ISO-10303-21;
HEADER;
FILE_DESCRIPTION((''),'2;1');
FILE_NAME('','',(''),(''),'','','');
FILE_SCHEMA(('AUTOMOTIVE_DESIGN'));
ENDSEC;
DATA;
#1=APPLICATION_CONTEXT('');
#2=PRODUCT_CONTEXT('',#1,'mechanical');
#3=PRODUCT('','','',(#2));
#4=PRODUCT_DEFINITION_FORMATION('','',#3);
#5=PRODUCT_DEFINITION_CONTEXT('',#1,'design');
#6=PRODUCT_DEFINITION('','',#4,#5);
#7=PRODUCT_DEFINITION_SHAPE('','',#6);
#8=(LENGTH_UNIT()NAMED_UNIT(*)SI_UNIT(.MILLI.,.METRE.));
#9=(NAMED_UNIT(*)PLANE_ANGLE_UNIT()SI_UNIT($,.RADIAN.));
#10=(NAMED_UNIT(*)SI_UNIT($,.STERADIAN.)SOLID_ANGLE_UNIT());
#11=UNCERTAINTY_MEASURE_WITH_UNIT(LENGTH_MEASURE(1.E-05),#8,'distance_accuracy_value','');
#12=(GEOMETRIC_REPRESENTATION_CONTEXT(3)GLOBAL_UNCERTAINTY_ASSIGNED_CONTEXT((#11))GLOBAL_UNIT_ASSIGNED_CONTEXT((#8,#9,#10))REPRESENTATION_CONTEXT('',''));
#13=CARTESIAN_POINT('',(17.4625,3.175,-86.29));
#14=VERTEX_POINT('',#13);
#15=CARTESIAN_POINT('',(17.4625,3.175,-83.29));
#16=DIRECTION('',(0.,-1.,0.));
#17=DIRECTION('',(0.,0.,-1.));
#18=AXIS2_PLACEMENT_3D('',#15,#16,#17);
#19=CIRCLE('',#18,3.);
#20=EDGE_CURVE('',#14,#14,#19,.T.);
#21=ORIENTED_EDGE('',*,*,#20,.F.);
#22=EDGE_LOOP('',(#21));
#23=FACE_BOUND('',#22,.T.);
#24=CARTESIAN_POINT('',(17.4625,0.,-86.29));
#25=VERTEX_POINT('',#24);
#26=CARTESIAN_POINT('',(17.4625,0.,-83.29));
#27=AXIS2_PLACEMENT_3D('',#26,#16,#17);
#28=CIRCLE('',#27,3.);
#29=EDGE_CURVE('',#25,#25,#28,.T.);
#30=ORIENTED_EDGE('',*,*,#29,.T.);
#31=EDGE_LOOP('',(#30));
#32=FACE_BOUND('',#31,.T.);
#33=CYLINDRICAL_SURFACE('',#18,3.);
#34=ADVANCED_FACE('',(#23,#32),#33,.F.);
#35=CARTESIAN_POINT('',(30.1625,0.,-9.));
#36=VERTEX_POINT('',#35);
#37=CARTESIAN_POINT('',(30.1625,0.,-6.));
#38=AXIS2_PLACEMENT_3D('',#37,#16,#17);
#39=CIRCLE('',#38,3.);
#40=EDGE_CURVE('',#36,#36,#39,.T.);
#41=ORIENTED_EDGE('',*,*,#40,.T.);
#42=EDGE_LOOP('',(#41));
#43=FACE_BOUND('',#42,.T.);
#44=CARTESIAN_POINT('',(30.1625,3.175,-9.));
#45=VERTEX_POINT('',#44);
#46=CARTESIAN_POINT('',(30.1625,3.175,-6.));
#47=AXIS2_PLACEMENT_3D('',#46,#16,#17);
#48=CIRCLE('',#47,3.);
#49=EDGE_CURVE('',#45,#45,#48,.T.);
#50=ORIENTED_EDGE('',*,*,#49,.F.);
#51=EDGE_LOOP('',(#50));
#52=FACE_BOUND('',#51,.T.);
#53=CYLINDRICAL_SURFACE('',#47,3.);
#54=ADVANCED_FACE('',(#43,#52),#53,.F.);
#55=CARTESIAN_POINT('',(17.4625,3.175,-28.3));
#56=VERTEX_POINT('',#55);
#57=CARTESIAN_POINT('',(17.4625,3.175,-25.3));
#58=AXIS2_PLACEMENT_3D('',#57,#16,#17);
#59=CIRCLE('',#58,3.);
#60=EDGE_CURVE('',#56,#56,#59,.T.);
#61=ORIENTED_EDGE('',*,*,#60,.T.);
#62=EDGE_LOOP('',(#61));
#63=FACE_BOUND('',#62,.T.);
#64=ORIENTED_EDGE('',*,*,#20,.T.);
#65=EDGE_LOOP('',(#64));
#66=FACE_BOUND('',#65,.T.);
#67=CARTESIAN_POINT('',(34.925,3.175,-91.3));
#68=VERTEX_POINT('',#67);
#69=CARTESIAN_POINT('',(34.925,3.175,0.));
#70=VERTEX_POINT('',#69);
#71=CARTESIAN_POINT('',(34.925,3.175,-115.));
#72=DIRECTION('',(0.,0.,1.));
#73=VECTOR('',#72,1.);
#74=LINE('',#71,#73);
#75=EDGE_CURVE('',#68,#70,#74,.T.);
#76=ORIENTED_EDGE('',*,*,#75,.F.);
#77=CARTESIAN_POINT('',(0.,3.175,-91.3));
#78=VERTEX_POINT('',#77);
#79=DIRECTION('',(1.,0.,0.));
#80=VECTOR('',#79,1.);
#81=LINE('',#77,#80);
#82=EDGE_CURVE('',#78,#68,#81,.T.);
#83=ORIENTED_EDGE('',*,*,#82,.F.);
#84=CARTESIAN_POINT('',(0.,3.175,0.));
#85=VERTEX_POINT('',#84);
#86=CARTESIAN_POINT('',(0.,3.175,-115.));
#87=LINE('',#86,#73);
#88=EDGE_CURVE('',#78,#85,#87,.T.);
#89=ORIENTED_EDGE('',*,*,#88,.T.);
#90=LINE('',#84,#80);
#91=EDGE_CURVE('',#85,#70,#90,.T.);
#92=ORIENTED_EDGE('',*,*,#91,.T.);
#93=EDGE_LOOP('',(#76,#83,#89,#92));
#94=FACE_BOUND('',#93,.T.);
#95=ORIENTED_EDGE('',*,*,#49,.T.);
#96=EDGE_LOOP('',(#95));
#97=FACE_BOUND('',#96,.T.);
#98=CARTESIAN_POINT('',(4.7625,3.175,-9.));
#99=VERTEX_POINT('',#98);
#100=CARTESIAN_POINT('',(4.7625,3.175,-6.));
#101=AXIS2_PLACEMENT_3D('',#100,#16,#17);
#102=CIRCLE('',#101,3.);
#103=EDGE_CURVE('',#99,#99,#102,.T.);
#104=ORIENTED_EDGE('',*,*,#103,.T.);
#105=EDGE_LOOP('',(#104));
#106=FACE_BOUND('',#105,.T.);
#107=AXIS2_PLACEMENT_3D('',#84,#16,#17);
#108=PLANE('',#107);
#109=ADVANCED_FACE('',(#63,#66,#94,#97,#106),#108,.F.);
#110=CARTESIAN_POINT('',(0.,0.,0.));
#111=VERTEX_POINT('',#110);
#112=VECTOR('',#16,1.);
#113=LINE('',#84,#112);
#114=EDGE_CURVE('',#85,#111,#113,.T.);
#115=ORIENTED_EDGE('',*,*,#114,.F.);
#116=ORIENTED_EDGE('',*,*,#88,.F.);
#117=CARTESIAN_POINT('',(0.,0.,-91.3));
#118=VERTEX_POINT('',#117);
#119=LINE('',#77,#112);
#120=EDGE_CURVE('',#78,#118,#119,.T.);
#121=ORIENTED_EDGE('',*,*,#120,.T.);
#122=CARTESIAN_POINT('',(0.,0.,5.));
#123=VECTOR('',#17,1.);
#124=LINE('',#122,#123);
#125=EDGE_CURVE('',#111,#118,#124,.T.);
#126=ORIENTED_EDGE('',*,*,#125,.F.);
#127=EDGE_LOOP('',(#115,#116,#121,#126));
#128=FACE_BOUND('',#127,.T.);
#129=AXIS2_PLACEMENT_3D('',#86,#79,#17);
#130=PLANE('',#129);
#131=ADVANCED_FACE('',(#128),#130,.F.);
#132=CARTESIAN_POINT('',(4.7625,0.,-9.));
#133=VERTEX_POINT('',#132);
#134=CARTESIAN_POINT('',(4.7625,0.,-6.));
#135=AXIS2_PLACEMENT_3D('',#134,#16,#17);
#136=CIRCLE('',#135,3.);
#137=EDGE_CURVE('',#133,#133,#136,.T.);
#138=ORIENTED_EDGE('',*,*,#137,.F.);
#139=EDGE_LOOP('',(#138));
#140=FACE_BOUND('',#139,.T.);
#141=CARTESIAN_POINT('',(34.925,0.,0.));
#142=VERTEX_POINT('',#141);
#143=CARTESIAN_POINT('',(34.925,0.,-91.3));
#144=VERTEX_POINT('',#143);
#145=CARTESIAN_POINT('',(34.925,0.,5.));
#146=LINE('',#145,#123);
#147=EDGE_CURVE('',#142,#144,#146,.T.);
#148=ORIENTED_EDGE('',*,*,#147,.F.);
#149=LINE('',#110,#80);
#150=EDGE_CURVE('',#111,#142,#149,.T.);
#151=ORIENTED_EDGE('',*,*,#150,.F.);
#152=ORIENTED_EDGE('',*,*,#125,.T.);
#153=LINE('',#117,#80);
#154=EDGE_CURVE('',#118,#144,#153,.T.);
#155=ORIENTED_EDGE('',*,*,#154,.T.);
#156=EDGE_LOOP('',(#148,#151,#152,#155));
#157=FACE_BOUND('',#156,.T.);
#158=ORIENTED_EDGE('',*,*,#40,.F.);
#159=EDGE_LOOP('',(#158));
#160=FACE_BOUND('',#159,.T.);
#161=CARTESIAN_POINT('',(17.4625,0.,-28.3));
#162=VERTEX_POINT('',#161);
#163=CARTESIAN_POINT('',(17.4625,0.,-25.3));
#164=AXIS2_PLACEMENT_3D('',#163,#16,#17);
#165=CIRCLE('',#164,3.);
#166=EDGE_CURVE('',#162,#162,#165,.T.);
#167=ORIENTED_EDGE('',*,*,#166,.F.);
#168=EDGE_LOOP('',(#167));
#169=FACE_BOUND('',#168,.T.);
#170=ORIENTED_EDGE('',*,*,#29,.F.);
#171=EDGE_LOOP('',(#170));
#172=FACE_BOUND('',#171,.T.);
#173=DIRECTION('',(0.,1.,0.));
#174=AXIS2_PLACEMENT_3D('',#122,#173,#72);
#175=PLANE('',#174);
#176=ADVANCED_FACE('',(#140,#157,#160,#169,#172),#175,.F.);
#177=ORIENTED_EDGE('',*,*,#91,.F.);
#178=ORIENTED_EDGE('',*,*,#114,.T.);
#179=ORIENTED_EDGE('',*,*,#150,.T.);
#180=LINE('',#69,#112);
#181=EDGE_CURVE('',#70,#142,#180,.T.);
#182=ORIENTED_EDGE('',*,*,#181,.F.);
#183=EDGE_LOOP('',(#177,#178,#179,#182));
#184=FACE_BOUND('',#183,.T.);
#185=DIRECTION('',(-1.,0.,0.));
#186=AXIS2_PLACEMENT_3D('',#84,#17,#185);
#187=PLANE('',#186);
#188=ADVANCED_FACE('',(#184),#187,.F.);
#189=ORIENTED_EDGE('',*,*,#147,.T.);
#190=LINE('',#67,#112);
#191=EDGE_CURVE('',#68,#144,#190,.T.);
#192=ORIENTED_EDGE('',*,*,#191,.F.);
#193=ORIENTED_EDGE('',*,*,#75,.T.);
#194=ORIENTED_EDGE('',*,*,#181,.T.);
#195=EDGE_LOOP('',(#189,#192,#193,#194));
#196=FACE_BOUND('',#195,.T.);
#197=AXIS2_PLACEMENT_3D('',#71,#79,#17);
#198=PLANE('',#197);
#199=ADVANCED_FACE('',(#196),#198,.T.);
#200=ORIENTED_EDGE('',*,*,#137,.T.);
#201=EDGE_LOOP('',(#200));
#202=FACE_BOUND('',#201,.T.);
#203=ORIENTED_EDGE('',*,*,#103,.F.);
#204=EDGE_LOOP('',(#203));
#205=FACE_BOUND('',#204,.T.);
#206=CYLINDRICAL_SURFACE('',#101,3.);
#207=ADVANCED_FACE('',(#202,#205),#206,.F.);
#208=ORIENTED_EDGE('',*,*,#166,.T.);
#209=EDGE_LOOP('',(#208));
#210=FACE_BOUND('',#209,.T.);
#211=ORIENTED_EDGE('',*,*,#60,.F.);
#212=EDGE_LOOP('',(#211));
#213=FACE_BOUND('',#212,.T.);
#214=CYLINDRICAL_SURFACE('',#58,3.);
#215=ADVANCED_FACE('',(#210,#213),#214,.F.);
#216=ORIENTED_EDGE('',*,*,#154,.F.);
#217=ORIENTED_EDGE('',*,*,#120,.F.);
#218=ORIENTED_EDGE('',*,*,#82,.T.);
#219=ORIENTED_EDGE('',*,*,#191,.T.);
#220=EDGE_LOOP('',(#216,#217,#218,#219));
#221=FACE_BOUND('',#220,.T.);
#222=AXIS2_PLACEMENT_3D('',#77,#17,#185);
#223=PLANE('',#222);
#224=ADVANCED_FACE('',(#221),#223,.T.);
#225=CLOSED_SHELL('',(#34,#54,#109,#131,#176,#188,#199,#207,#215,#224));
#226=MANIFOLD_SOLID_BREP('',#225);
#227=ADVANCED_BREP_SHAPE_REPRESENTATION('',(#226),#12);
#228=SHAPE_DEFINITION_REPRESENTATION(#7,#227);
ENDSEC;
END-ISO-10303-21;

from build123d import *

# Parameters (mm, degrees)
SKETCH1_W           = 38.1
SKETCH1_H           = 120
BOSS_EXTRUDE1_DEPTH = 38.1
SKETCH2_W           = 34.925
SKETCH2_H           = 34.925
CUT_EXTRUDE1_DEPTH  = 130.767142413
SKETCH18_W          = 3.175
SKETCH18_H          = 3.175
CUT_EXTRUDE3_DEPTH  = 130.767142413
SKETCH19_R          = 3
CUT_EXTRUDE4_DEPTH  = 121.228267267
SKETCH20_W          = 34.925
SKETCH20_H          = 5
CUT_EXTRUDE5_DEPTH  = 121.228267267
SKETCH21_W          = 34.925
SKETCH21_H          = 23.7
CUT_EXTRUDE6_DEPTH  = 121.228267267


with BuildPart() as part:
    # Sketch1 → Boss-Extrude1 (new body)
    with BuildSketch(Plane.XZ.offset(34.925)):
        with Locations((15.875, -55)):
            Rectangle(SKETCH1_W, SKETCH1_H)
    extrude(amount=-BOSS_EXTRUDE1_DEPTH)

    # Sketch2 → Cut-Extrude1 (cut, through all)
    with BuildSketch(Plane(origin=(0, 0, -115), x_dir=(-1, 0, 0), z_dir=(0, 0, -1))):
        with Locations((-17.4625, -17.4625)):
            Rectangle(SKETCH2_W, SKETCH2_H)
    extrude(amount=-CUT_EXTRUDE1_DEPTH, mode=Mode.SUBTRACT)

    # Sketch18 → Cut-Extrude3 (cut, through all)
    with BuildSketch(Plane.XY.offset(5)):
        with Locations((-1.5875, 1.5875)):
            Rectangle(SKETCH18_W, SKETCH18_H)
    extrude(amount=-CUT_EXTRUDE3_DEPTH, mode=Mode.SUBTRACT)


with BuildPart() as body_2:
    # of the pieces the cut leaves, the one that is kept (cut_extrude3_keep)
    add(part.part.solids().sort_by_distance((34.925, 0, -115))[0])

    # Sketch19 → Cut-Extrude4 (cut, through all)
    with BuildSketch(Plane.XZ):
        with Locations(Location((4.7625, -6, 0), (0, 0, 270))):
            Circle(SKETCH19_R)
        with Locations(Location((30.1625, -6, 0), (0, 0, 270))):
            Circle(SKETCH19_R)
        with Locations(Location((17.4625, -83.29, 0), (0, 0, 270))):
            Circle(SKETCH19_R)
        with Locations(Location((17.4625, -25.3, 0), (0, 0, 270))):
            Circle(SKETCH19_R)
    extrude(amount=-CUT_EXTRUDE4_DEPTH, mode=Mode.SUBTRACT)

    # Sketch20 → Cut-Extrude5 (cut, through all)
    with BuildSketch(Plane.XZ):
        with Locations((17.4625, 2.5)):
            Rectangle(SKETCH20_W, SKETCH20_H)
    extrude(amount=-CUT_EXTRUDE5_DEPTH, mode=Mode.SUBTRACT)

    # Sketch21 → Cut-Extrude6 (cut, through all)
    with BuildSketch(Plane.XZ):
        with Locations((17.4625, -103.15)):
            Rectangle(SKETCH21_W, SKETCH21_H)
    extrude(amount=-CUT_EXTRUDE6_DEPTH, mode=Mode.SUBTRACT)


solid = body_2.part
